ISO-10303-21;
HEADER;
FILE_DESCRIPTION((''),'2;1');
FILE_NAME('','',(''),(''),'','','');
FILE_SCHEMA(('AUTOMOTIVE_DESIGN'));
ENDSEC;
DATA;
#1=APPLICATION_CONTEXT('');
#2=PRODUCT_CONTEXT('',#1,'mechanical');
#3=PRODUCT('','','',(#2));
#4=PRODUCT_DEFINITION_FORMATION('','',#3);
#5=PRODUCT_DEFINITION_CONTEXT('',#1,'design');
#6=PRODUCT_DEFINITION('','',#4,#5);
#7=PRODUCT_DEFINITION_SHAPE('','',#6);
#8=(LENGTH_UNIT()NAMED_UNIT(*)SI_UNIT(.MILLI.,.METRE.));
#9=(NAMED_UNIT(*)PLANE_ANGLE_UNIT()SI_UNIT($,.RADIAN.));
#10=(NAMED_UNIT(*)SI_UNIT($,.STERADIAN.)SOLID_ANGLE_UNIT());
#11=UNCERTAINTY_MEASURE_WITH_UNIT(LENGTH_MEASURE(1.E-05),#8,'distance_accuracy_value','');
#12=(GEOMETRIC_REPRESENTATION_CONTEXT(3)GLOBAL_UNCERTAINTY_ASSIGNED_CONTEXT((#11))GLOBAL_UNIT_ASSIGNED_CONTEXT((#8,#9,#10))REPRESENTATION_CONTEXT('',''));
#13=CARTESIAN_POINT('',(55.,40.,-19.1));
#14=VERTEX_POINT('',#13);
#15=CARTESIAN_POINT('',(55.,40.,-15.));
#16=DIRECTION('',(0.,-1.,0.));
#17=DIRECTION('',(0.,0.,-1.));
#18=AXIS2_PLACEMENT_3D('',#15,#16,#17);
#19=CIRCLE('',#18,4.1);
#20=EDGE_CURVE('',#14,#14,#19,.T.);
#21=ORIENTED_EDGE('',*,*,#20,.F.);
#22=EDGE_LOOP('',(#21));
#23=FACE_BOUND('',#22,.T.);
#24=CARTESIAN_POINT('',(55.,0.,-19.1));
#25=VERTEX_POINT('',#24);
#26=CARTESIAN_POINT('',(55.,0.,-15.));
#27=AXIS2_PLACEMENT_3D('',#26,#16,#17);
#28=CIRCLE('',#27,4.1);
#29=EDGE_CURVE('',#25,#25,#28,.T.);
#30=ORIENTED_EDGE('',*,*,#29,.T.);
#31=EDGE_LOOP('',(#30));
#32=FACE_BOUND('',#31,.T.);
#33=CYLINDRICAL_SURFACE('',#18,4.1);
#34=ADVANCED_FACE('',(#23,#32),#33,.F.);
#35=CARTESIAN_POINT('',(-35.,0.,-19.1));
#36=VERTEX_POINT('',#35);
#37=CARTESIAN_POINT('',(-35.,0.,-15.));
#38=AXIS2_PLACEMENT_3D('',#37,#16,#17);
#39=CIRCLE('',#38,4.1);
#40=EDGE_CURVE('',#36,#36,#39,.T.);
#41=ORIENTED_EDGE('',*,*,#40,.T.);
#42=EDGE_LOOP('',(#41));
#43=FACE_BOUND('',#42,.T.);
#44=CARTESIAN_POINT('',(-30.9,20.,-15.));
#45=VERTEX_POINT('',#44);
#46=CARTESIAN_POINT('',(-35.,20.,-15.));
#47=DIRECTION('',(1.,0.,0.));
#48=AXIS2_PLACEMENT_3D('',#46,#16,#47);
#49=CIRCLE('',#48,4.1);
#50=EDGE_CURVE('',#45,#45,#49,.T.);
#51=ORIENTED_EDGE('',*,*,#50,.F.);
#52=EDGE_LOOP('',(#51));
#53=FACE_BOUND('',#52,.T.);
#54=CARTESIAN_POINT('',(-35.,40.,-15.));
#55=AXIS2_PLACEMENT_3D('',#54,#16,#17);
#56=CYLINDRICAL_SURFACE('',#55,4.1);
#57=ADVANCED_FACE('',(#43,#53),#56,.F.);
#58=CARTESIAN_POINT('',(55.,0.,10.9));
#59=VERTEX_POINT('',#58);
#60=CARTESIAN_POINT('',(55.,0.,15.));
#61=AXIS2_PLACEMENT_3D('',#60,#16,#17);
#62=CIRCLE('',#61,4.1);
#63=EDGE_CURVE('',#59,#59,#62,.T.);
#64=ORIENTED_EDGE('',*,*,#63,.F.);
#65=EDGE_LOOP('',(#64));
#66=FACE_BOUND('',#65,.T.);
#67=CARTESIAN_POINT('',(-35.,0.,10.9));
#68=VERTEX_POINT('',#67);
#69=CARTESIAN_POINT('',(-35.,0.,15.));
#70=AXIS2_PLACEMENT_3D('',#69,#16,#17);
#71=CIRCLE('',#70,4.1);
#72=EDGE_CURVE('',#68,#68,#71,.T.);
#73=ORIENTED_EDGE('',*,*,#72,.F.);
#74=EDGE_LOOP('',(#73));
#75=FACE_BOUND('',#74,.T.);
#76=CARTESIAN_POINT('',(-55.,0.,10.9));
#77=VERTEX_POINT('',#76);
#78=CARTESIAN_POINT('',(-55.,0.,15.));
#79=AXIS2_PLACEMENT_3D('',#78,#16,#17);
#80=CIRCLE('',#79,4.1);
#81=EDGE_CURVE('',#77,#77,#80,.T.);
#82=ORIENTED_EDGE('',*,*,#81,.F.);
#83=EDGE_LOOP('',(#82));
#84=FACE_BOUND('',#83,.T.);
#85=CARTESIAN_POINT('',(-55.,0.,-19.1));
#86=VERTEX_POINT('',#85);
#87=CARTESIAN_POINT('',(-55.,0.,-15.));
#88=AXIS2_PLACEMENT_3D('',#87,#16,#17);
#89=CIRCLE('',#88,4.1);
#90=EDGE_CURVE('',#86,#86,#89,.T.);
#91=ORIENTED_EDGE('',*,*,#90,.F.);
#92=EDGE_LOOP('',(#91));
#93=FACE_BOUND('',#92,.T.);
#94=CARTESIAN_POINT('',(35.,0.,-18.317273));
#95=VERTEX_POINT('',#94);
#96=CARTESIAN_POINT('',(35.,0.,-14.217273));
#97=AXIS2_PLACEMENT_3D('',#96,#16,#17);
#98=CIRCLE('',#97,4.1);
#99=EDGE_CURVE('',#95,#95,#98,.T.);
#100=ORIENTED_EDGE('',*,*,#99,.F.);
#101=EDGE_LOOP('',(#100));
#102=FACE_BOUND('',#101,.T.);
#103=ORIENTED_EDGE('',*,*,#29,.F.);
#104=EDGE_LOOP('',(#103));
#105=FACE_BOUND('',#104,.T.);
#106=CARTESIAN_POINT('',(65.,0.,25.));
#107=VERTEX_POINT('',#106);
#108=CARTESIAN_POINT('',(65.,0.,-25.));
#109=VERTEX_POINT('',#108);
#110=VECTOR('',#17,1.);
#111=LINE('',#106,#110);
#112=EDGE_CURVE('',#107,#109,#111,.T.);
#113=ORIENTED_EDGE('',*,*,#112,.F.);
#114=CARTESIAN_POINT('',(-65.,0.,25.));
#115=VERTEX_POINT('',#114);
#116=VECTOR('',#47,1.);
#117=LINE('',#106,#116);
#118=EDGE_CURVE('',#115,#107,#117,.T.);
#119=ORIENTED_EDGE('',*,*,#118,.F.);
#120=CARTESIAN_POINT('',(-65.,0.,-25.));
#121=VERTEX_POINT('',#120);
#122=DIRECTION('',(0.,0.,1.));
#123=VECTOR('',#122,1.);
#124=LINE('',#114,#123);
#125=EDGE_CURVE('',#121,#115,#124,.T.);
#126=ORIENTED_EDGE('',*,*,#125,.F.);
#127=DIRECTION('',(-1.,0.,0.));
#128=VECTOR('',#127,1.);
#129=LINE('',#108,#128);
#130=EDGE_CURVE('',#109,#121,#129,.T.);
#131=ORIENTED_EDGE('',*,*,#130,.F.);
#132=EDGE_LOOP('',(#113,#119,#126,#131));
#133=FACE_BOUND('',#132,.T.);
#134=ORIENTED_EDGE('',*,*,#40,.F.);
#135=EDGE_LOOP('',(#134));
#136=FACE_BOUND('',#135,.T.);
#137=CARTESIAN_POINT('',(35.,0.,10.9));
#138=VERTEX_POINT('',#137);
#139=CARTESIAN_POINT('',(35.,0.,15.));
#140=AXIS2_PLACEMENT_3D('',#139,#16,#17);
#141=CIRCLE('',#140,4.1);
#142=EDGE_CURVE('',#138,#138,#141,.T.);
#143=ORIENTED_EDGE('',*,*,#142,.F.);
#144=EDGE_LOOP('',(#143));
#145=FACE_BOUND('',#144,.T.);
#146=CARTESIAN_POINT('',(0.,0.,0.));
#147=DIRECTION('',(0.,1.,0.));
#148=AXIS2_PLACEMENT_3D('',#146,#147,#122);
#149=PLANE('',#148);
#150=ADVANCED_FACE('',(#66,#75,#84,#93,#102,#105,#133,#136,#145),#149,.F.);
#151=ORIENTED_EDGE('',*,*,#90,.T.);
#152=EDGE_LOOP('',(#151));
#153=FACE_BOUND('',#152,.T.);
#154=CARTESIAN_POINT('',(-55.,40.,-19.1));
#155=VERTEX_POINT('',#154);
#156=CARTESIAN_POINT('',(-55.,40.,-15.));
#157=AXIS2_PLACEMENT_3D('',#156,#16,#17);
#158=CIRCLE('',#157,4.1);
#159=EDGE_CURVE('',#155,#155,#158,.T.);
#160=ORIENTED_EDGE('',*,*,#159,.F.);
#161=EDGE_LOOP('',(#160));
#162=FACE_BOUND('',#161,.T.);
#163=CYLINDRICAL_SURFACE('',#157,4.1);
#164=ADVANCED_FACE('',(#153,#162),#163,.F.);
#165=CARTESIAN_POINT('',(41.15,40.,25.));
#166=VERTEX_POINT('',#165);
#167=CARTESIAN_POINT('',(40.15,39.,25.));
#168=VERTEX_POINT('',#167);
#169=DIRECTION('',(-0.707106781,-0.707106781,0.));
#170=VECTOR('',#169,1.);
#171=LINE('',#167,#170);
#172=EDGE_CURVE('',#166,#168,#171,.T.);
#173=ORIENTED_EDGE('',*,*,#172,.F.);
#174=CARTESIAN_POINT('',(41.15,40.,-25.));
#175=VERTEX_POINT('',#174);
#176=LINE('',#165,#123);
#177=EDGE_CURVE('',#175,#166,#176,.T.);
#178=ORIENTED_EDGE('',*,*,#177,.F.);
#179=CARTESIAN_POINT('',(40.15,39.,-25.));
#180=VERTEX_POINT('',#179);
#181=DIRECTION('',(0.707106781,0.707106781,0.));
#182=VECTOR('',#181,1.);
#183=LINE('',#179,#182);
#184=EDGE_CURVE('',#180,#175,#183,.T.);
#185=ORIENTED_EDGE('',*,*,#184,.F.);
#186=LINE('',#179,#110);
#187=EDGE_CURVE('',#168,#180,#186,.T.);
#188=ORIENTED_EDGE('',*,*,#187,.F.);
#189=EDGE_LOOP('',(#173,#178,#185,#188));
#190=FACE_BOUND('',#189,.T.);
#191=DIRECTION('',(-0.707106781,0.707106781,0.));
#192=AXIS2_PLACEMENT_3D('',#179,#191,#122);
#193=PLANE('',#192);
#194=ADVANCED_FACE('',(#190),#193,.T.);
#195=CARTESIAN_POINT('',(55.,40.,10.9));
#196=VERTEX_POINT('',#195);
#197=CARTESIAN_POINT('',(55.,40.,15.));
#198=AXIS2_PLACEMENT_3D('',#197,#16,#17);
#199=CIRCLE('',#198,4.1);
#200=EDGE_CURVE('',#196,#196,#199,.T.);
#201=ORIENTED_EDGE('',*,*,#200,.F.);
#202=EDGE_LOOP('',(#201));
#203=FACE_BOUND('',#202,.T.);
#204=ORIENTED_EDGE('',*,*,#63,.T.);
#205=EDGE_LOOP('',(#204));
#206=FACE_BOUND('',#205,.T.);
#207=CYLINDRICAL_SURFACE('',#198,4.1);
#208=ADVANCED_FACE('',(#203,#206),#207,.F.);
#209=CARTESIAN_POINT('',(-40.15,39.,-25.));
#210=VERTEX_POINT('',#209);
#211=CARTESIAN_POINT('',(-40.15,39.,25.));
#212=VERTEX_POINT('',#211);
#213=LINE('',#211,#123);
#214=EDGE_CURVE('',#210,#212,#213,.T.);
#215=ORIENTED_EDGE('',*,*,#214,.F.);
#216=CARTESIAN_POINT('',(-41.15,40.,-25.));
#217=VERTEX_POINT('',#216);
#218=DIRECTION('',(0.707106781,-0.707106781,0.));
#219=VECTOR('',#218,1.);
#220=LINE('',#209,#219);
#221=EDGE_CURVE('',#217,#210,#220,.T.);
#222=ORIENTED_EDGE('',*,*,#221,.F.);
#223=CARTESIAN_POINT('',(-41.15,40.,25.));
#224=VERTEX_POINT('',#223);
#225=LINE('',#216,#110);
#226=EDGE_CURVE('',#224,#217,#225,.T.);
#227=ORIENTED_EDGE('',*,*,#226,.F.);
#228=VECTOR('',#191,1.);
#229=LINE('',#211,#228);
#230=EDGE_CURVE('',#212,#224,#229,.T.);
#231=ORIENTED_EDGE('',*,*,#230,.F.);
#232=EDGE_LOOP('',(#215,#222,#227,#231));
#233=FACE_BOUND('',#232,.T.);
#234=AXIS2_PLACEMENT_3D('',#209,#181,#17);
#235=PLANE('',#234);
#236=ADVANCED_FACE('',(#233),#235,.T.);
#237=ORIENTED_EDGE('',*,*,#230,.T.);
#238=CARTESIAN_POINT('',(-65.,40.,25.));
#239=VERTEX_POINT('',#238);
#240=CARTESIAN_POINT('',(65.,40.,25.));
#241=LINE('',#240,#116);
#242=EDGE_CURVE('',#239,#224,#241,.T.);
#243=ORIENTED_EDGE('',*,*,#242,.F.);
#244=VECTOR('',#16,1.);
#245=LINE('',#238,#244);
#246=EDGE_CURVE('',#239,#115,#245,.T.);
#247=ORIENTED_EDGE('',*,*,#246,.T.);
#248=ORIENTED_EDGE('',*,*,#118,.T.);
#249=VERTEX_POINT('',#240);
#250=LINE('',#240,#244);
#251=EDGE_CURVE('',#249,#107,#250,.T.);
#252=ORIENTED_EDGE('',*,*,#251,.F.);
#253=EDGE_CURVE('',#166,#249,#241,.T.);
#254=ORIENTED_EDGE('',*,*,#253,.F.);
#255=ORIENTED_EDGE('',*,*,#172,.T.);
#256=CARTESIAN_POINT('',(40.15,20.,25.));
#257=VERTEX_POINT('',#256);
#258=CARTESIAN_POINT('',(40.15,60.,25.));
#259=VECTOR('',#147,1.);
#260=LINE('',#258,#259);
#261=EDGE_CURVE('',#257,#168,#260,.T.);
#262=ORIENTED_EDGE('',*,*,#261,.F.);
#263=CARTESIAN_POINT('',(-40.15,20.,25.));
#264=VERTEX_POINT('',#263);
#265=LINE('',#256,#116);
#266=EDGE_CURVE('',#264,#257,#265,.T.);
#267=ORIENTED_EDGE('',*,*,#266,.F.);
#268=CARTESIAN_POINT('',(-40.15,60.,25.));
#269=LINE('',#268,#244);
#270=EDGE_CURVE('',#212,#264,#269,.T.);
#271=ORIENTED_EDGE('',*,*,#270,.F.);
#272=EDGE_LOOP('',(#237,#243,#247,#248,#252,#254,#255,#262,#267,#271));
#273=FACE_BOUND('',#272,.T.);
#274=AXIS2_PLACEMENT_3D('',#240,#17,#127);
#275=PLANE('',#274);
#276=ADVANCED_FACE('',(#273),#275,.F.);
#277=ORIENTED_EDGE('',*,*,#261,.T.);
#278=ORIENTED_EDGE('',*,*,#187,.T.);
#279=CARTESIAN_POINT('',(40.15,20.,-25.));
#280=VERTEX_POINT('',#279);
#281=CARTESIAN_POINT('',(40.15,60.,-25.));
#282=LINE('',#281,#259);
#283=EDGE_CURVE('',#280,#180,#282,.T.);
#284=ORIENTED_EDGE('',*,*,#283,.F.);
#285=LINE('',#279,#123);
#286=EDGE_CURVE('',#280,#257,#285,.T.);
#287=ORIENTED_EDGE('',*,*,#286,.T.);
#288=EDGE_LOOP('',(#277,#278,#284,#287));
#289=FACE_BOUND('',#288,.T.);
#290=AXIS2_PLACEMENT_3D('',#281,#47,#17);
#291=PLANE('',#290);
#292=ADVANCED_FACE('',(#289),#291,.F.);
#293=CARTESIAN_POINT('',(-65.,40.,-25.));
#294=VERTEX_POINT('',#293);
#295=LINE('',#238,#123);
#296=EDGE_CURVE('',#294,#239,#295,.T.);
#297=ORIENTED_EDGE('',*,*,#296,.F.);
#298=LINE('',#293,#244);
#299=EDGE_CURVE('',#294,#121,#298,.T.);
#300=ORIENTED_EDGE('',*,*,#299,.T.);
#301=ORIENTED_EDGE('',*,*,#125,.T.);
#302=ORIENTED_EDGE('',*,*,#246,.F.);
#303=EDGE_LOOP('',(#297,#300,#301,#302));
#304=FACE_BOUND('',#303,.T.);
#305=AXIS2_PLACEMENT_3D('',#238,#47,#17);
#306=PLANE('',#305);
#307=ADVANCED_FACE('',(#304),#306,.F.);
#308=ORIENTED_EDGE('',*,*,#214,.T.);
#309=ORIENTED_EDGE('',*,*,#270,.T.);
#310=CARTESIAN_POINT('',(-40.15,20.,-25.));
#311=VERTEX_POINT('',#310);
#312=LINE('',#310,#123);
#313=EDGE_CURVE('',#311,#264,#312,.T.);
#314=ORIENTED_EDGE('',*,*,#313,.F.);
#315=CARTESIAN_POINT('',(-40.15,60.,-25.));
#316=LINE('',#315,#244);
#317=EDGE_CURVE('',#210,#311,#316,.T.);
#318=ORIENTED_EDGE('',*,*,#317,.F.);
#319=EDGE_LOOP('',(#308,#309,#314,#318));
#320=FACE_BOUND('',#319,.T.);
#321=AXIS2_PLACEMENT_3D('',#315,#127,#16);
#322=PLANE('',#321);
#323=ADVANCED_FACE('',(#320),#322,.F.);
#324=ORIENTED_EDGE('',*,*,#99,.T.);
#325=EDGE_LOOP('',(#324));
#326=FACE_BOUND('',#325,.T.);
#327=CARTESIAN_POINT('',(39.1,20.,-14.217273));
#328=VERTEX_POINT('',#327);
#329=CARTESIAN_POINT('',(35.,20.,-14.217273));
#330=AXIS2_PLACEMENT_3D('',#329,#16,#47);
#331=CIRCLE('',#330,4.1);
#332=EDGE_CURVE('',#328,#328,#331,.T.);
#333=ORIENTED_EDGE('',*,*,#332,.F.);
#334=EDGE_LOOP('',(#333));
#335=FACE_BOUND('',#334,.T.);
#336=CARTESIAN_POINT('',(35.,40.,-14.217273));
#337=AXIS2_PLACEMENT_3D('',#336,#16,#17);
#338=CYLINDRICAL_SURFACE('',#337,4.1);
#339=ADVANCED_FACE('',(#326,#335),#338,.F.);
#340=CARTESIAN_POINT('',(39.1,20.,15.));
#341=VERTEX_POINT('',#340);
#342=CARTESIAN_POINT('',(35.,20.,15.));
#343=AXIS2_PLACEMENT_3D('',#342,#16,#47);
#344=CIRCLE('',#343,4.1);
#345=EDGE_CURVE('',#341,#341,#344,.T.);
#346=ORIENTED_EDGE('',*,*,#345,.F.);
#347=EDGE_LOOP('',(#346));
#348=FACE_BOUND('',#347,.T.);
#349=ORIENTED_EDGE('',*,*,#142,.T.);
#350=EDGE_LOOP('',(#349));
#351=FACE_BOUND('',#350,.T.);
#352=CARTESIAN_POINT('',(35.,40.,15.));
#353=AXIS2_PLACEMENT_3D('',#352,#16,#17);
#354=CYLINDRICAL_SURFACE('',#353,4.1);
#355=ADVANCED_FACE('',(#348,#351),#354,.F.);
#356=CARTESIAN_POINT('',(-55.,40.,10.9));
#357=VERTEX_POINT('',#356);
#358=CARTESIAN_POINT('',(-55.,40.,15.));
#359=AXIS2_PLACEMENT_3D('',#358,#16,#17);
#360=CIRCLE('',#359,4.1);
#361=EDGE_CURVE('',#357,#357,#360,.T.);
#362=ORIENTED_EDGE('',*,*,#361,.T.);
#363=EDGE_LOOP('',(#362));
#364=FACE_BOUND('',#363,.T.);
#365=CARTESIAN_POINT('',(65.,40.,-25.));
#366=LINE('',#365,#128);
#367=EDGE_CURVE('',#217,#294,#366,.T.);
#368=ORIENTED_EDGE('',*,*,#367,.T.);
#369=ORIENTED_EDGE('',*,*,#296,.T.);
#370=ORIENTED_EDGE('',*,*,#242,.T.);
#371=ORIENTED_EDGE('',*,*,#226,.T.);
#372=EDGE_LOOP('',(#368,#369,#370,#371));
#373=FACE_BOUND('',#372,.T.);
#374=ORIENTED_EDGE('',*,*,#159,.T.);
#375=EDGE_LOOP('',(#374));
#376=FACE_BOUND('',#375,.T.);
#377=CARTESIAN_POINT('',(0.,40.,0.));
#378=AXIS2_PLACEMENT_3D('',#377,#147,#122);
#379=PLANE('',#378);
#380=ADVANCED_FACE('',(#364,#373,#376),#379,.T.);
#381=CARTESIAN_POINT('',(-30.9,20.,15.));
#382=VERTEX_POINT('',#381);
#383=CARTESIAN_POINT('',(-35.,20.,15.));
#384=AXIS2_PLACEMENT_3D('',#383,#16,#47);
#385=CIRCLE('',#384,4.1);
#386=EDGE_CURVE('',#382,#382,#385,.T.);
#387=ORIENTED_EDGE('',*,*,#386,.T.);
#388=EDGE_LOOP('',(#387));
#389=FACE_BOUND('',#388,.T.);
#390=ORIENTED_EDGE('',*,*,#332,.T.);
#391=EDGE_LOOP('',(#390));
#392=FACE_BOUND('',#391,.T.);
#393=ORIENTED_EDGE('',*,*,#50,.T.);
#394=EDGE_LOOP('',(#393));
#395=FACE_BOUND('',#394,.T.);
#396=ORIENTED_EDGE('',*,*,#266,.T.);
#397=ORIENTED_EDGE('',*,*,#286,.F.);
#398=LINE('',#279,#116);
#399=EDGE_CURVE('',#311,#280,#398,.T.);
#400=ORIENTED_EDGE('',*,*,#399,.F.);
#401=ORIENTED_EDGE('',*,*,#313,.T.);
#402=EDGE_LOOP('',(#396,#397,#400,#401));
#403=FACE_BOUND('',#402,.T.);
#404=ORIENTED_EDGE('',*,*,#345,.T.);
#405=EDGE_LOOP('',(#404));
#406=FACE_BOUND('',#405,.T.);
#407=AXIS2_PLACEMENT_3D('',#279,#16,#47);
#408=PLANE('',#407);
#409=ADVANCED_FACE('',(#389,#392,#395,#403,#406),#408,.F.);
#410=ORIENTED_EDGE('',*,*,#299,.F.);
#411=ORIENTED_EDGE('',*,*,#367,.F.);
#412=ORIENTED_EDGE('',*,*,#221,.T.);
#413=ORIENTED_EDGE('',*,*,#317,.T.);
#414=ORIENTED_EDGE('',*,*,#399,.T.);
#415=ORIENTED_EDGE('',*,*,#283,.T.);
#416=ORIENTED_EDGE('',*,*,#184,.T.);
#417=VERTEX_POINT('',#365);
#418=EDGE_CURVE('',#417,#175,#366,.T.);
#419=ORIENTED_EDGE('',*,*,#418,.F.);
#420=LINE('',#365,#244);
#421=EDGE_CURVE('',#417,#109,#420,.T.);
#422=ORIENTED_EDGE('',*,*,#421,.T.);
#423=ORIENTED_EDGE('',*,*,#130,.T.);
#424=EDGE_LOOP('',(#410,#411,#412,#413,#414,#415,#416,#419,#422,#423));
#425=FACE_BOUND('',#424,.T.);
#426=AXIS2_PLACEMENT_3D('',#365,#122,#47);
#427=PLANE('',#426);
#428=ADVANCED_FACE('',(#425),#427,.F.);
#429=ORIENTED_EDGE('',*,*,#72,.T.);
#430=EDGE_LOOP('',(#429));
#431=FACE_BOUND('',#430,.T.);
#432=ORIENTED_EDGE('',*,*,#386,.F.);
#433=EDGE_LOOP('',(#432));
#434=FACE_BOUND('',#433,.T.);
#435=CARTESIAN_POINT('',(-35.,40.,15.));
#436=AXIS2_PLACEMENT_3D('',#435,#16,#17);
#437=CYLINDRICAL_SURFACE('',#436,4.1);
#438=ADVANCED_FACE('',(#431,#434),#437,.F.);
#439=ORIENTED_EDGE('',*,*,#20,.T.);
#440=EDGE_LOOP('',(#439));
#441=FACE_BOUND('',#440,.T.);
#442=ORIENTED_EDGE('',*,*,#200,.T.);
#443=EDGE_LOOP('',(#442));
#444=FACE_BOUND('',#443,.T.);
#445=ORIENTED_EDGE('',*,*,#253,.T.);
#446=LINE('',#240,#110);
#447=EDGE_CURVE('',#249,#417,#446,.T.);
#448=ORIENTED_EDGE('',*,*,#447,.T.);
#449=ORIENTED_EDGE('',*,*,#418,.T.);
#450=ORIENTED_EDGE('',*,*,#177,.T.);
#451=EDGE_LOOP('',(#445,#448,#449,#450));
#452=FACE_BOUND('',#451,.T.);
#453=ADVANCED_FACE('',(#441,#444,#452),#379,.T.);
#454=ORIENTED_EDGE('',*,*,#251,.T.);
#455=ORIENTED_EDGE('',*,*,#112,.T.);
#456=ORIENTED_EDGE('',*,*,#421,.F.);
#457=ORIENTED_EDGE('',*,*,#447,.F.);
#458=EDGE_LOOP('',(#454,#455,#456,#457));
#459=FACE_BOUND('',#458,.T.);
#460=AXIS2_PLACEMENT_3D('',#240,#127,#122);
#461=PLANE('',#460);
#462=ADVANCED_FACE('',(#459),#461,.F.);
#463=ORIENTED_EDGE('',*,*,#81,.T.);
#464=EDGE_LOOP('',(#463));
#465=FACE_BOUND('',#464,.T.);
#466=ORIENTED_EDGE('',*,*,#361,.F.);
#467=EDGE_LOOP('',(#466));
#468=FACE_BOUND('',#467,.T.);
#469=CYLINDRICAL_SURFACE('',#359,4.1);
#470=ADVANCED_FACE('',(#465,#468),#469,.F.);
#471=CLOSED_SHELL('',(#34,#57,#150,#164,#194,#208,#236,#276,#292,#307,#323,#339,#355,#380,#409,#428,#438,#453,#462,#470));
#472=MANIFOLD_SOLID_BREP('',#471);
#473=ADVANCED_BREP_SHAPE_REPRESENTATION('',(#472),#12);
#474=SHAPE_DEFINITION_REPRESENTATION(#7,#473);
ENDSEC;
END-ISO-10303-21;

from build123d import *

# Parameters (mm, degrees)
SKETCH1_W           = 130
SKETCH1_H           = 50
BOSS_EXTRUDE1_DEPTH = 40
SKETCH2_W           = 80.3
SKETCH2_H           = 40
CUT_EXTRUDE1_DEPTH  = 51
SKETCH3_R           = 4.1
CUT_EXTRUDE2_DEPTH  = 41
CHAMFER1_SIZE       = 1
SKETCH5_R           = 4.1
CUT_EXTRUDE3_DEPTH  = 41


with BuildPart() as part:
    # Sketch1 → Boss-Extrude1 (new body)
    with BuildSketch(Plane(origin=(0, 0, 0), x_dir=(1, 0, 0), z_dir=(0, 1, 0))):
        Rectangle(SKETCH1_W, SKETCH1_H)
    extrude(amount=BOSS_EXTRUDE1_DEPTH)

    # Sketch2 → Cut-Extrude1 (cut, through all)
    with BuildSketch(Plane.XY.offset(25)):
        with Locations((0, 40)):
            Rectangle(SKETCH2_W, SKETCH2_H)
    extrude(amount=-CUT_EXTRUDE1_DEPTH, mode=Mode.SUBTRACT)

    # Sketch3 → Cut-Extrude2 (cut, through all)
    with BuildSketch(Plane.XZ):
        with Locations((-35, 15)):
            Circle(SKETCH3_R)
        with Locations((-35, -15)):
            Circle(SKETCH3_R)
        with Locations((35, -14.217273236)):
            Circle(SKETCH3_R)
        with Locations((35, 15)):
            Circle(SKETCH3_R)
    extrude(amount=-CUT_EXTRUDE2_DEPTH, mode=Mode.SUBTRACT)

    # Chamfer1
    chamfer1_edges = [part.edges().sort_by_distance(p)[0] for p in [
        (40.15, 40, 0),
        (-40.15, 40, 0),
    ]]
    chamfer(chamfer1_edges, length=CHAMFER1_SIZE)

    # Sketch5 → Cut-Extrude3 (cut, through all)
    with BuildSketch(Plane.XZ):
        with Locations((-55, 15)):
            Circle(SKETCH5_R)
        with Locations((-55, -15)):
            Circle(SKETCH5_R)
        with Locations((55, 15)):
            Circle(SKETCH5_R)
        with Locations((55, -15)):
            Circle(SKETCH5_R)
    extrude(amount=-CUT_EXTRUDE3_DEPTH, mode=Mode.SUBTRACT)


solid = part.part
